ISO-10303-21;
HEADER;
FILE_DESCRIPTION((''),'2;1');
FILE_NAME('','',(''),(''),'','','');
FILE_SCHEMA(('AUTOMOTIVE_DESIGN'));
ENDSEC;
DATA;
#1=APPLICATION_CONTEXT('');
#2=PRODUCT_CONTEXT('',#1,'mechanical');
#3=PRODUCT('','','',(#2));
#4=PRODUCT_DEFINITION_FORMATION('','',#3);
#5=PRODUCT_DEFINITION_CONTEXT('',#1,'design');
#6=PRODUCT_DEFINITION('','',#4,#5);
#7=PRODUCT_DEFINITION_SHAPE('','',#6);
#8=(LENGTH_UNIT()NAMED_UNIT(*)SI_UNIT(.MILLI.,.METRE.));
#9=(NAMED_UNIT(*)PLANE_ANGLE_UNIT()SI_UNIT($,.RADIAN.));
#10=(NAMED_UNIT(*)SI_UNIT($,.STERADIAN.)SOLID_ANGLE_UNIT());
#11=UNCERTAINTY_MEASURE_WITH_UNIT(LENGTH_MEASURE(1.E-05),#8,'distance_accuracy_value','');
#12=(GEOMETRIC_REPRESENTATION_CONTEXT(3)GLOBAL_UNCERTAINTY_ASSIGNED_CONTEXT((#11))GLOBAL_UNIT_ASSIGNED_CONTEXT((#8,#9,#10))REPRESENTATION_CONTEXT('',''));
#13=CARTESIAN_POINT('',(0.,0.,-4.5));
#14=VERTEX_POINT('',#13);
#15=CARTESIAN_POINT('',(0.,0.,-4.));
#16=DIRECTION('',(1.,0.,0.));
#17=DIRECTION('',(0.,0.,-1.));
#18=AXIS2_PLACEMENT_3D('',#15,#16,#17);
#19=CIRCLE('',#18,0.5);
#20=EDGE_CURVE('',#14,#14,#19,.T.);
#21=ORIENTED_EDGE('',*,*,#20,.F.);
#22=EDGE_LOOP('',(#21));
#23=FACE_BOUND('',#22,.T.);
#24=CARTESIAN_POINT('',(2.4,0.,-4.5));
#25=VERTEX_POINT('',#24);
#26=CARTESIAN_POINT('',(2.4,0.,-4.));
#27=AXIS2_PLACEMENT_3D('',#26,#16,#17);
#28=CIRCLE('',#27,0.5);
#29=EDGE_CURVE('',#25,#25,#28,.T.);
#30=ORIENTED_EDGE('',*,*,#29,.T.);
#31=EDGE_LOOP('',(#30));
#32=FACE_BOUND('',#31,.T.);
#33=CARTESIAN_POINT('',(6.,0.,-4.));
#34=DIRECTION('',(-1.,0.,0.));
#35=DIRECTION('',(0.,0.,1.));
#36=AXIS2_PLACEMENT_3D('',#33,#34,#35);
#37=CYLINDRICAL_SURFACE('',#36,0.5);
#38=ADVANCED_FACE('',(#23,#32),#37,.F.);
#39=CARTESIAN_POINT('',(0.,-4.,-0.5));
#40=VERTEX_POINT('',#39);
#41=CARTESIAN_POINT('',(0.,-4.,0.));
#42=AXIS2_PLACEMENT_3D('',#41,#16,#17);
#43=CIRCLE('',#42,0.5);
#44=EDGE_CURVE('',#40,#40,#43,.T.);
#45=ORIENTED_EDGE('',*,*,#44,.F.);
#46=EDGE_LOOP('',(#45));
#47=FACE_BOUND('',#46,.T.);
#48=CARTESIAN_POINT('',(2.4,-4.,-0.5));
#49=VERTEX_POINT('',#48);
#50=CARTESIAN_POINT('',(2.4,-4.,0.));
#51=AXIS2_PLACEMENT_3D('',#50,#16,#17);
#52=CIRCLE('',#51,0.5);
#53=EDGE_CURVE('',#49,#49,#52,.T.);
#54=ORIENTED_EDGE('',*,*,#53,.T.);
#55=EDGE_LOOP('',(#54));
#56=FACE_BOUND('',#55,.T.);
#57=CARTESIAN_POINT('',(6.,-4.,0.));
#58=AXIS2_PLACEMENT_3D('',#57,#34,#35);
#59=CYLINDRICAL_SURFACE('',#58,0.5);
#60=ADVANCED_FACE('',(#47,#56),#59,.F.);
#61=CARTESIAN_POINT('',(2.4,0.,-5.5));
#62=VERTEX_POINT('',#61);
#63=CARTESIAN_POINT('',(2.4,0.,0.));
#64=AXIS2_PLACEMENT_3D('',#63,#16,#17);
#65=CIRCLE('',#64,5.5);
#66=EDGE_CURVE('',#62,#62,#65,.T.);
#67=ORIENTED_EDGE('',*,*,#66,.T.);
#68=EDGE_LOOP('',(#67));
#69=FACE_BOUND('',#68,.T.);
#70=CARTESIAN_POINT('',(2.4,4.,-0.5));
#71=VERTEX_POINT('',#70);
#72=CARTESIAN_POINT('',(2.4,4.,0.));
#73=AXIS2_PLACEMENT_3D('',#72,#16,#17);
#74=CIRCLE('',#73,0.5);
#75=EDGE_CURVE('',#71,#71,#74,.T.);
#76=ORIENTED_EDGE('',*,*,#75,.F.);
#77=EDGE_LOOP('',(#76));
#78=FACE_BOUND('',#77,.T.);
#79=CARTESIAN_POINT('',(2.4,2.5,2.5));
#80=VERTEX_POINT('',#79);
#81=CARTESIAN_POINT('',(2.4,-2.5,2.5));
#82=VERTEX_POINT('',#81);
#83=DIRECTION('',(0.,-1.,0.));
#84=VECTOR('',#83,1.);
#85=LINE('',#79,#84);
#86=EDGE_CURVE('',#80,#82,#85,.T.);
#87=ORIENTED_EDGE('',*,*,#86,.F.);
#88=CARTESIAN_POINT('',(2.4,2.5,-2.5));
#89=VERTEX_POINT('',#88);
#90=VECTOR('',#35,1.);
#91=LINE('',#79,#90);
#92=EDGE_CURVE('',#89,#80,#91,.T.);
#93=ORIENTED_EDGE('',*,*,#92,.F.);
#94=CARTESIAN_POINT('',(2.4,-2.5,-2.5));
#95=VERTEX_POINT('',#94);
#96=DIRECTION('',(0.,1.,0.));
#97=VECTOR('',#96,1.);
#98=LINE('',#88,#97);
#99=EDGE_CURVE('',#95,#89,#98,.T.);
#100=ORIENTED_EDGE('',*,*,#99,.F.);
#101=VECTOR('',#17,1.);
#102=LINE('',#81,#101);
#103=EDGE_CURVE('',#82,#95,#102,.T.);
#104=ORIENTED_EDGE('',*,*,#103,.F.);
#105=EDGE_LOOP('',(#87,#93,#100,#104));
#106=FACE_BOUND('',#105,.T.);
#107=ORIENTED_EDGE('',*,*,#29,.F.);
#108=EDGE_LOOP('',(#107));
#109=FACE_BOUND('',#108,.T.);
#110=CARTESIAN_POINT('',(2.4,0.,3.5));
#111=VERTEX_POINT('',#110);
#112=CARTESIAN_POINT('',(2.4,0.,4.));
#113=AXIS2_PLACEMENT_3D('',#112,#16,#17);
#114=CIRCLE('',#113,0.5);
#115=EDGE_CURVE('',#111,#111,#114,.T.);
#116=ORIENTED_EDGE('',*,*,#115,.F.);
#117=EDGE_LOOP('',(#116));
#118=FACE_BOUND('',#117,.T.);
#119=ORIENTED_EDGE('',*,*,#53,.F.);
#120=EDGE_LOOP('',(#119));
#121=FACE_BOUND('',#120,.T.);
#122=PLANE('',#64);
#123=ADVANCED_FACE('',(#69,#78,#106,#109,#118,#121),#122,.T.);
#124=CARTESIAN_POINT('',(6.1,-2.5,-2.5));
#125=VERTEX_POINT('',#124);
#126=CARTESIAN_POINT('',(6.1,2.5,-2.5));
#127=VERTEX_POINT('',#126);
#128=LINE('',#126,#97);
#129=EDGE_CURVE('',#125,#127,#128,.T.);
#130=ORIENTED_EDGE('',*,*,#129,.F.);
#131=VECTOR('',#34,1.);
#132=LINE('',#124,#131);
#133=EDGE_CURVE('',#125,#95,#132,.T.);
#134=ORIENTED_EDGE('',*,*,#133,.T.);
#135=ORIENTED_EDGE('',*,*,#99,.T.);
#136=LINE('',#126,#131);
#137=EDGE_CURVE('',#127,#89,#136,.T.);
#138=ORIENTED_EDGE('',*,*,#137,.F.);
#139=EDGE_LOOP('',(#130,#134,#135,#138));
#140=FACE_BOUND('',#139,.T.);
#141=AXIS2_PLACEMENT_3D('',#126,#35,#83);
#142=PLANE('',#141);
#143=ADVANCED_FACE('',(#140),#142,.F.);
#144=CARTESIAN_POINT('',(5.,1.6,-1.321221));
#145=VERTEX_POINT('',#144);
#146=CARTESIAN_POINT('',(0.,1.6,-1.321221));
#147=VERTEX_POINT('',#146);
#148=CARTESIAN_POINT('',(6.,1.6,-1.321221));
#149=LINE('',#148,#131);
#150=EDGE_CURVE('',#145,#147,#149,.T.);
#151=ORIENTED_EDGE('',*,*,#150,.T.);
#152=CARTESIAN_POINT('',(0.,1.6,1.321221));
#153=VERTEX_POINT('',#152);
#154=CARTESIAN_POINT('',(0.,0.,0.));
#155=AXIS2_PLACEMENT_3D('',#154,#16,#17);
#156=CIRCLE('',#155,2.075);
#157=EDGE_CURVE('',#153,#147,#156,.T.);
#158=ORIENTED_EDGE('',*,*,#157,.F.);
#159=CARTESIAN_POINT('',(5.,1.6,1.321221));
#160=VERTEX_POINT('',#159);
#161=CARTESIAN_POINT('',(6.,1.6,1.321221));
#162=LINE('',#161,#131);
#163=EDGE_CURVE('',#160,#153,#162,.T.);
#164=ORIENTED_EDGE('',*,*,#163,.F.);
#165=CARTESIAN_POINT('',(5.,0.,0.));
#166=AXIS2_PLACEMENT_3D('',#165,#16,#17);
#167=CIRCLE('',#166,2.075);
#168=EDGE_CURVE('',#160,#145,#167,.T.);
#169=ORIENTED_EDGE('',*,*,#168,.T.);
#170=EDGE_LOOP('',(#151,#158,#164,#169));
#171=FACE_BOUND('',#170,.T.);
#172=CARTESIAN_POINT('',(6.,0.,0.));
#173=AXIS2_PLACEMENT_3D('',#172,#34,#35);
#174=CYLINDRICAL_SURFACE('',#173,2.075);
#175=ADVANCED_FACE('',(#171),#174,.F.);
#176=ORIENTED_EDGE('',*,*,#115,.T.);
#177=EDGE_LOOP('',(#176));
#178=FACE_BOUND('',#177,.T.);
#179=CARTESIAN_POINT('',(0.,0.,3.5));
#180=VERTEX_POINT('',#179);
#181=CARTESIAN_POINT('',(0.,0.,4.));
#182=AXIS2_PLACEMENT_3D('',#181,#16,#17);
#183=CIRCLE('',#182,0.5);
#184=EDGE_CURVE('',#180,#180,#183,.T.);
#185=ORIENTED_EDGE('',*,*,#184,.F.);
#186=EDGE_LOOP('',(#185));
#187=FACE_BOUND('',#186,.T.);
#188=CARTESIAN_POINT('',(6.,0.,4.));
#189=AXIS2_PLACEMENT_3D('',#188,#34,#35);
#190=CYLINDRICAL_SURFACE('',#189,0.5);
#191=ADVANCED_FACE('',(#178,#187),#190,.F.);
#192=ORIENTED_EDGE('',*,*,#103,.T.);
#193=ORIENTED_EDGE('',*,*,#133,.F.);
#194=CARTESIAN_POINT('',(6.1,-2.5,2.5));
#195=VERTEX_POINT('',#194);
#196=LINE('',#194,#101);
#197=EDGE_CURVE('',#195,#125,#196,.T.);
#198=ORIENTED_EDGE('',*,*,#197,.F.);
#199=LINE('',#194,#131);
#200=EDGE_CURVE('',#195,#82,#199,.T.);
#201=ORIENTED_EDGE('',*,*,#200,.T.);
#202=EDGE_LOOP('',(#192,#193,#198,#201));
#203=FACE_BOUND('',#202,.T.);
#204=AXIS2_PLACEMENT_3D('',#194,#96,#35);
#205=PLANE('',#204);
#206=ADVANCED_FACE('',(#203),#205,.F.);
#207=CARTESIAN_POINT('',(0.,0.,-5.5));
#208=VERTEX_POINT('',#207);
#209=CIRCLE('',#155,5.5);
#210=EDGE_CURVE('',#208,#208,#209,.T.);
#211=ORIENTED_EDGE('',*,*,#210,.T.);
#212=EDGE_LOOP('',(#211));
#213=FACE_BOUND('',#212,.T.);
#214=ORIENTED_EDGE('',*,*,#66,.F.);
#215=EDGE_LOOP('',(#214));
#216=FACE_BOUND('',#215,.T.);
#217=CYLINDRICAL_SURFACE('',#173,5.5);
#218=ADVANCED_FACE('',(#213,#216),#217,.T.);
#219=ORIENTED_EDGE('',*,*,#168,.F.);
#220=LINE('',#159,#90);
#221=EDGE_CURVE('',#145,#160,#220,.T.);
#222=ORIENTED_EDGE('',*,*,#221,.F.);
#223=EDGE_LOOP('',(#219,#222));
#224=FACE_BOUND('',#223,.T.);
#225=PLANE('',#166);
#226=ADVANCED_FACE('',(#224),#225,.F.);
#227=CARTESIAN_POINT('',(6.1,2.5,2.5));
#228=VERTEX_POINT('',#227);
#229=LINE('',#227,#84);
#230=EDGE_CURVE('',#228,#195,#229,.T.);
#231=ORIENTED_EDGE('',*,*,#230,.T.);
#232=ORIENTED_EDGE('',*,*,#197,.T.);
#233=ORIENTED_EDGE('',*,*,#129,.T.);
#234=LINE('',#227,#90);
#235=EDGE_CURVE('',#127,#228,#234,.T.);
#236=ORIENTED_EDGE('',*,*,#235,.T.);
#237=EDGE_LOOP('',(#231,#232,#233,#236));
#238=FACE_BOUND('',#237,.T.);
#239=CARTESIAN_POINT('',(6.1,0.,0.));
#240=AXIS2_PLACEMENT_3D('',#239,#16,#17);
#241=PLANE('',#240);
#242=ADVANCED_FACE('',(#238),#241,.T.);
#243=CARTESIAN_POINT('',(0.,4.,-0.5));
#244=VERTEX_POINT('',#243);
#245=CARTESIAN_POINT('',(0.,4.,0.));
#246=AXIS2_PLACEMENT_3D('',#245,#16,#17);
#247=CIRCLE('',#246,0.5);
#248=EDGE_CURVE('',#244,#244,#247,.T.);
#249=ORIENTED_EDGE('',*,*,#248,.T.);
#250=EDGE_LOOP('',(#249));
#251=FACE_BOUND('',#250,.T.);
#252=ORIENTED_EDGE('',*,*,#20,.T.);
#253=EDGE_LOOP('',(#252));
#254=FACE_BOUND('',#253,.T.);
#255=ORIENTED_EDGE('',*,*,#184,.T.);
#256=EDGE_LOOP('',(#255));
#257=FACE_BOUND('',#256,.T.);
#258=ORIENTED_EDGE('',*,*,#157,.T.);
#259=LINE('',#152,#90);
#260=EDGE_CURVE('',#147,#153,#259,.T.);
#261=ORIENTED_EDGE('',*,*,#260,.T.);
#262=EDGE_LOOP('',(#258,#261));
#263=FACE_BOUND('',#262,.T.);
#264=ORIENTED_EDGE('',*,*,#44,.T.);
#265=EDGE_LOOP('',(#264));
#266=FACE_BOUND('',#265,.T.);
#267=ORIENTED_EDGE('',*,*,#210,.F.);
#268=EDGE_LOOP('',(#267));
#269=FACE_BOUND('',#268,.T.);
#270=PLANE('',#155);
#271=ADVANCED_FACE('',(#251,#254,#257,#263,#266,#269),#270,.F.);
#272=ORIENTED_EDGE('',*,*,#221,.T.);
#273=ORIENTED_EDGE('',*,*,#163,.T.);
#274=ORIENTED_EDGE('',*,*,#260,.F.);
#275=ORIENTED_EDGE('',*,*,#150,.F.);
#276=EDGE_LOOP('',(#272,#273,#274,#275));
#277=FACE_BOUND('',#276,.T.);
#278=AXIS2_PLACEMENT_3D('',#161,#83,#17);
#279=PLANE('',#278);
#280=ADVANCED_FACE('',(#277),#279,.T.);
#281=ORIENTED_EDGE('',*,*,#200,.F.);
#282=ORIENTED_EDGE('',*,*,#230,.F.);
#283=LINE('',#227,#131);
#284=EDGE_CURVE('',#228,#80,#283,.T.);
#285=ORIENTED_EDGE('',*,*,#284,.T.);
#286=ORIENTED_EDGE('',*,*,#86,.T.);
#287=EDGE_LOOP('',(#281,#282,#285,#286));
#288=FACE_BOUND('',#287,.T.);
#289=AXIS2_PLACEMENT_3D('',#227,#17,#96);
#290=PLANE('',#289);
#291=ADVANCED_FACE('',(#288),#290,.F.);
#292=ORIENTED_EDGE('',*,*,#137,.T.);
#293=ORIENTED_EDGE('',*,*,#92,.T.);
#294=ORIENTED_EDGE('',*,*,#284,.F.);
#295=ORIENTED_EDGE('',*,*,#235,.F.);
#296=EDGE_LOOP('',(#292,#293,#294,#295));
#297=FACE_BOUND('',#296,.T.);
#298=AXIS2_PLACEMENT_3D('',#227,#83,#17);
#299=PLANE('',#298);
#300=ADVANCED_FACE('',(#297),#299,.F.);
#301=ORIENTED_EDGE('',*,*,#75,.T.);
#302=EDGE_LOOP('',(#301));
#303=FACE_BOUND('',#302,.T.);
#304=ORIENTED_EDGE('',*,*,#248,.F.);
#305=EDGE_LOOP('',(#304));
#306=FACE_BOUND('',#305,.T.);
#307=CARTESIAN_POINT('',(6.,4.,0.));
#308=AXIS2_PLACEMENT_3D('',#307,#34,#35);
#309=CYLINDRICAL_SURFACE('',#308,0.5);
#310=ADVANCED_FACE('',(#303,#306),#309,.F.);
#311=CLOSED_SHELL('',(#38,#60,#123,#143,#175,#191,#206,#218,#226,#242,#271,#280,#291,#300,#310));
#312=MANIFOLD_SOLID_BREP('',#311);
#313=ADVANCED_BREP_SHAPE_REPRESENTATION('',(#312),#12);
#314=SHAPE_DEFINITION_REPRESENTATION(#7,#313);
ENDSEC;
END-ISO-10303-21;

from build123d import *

# Parameters (mm, degrees)
SKETCH1_R           = 5.5
SKETCH1_R_2         = 0.5
BOSS_EXTRUDE1_DEPTH = 6
SKETCH2_R           = 5.5
BOSS_EXTRUDE2_DEPTH = 1
SKETCH3_R           = 0.5
CUT_EXTRUDE1_DEPTH  = 7
SKETCH4_W           = 5
SKETCH4_H           = 5
BOSS_EXTRUDE3_DEPTH = 0.1
SKETCH5_OUTSIDE_W   = 16.342
SKETCH5_OUTSIDE_H   = 16.342
SKETCH5_OUTSIDE_W_2 = 5
SKETCH5_OUTSIDE_H_2 = 5
CUT_EXTRUDE2_DEPTH  = 3.6


with BuildPart() as part:
    # Sketch1 → Boss-Extrude1 (new body)
    with BuildSketch(Plane(origin=(0, 0, 0), x_dir=(0, 0, -1), z_dir=(1, 0, 0))):
        Circle(SKETCH1_R)
        with Locations((0, 4)):
            Circle(SKETCH1_R_2, mode=Mode.SUBTRACT)
        with Locations((4, 0)):
            Circle(SKETCH1_R_2, mode=Mode.SUBTRACT)
        with Locations((0, -4)):
            Circle(SKETCH1_R_2, mode=Mode.SUBTRACT)
        with Locations((-4, 0)):
            Circle(SKETCH1_R_2, mode=Mode.SUBTRACT)
        with BuildLine():
            Line((-1.321221026, 1.6), (1.321221026, 1.6))
            ThreePointArc((1.321221026, 1.6), (0, -2.075), (-1.321221026, 1.6))
        make_face(mode=Mode.SUBTRACT)
    extrude(amount=BOSS_EXTRUDE1_DEPTH)

    # Sketch2 → Boss-Extrude2 (add)
    with BuildSketch(Plane(origin=(6, 0, 0), x_dir=(0, 0, -1), z_dir=(1, 0, 0))):
        Circle(SKETCH2_R)
    extrude(amount=-BOSS_EXTRUDE2_DEPTH)

    # Sketch3 → Cut-Extrude1 (cut, through all)
    with BuildSketch(Plane.ZY):
        with Locations((0, 4)):
            Circle(SKETCH3_R)
        with Locations((4, 0)):
            Circle(SKETCH3_R)
        with Locations((0, -4)):
            Circle(SKETCH3_R)
        with Locations((-4, 0)):
            Circle(SKETCH3_R)
    extrude(amount=-CUT_EXTRUDE1_DEPTH, mode=Mode.SUBTRACT)

    # Sketch4 → Boss-Extrude3 (add)
    with BuildSketch(Plane(origin=(6, 0, 0), x_dir=(0, 0, -1), z_dir=(1, 0, 0))):
        Rectangle(SKETCH4_W, SKETCH4_H)
    extrude(amount=BOSS_EXTRUDE3_DEPTH)

    # Sketch5 outside → Cut-Extrude2 (cut)
    with BuildSketch(Plane(origin=(6, 0, 0), x_dir=(0, 0, -1), z_dir=(1, 0, 0))):
        Rectangle(SKETCH5_OUTSIDE_W, SKETCH5_OUTSIDE_H)
        Rectangle(SKETCH5_OUTSIDE_W_2, SKETCH5_OUTSIDE_H_2, mode=Mode.SUBTRACT)
    extrude(amount=-CUT_EXTRUDE2_DEPTH, mode=Mode.SUBTRACT)


solid = part.part
